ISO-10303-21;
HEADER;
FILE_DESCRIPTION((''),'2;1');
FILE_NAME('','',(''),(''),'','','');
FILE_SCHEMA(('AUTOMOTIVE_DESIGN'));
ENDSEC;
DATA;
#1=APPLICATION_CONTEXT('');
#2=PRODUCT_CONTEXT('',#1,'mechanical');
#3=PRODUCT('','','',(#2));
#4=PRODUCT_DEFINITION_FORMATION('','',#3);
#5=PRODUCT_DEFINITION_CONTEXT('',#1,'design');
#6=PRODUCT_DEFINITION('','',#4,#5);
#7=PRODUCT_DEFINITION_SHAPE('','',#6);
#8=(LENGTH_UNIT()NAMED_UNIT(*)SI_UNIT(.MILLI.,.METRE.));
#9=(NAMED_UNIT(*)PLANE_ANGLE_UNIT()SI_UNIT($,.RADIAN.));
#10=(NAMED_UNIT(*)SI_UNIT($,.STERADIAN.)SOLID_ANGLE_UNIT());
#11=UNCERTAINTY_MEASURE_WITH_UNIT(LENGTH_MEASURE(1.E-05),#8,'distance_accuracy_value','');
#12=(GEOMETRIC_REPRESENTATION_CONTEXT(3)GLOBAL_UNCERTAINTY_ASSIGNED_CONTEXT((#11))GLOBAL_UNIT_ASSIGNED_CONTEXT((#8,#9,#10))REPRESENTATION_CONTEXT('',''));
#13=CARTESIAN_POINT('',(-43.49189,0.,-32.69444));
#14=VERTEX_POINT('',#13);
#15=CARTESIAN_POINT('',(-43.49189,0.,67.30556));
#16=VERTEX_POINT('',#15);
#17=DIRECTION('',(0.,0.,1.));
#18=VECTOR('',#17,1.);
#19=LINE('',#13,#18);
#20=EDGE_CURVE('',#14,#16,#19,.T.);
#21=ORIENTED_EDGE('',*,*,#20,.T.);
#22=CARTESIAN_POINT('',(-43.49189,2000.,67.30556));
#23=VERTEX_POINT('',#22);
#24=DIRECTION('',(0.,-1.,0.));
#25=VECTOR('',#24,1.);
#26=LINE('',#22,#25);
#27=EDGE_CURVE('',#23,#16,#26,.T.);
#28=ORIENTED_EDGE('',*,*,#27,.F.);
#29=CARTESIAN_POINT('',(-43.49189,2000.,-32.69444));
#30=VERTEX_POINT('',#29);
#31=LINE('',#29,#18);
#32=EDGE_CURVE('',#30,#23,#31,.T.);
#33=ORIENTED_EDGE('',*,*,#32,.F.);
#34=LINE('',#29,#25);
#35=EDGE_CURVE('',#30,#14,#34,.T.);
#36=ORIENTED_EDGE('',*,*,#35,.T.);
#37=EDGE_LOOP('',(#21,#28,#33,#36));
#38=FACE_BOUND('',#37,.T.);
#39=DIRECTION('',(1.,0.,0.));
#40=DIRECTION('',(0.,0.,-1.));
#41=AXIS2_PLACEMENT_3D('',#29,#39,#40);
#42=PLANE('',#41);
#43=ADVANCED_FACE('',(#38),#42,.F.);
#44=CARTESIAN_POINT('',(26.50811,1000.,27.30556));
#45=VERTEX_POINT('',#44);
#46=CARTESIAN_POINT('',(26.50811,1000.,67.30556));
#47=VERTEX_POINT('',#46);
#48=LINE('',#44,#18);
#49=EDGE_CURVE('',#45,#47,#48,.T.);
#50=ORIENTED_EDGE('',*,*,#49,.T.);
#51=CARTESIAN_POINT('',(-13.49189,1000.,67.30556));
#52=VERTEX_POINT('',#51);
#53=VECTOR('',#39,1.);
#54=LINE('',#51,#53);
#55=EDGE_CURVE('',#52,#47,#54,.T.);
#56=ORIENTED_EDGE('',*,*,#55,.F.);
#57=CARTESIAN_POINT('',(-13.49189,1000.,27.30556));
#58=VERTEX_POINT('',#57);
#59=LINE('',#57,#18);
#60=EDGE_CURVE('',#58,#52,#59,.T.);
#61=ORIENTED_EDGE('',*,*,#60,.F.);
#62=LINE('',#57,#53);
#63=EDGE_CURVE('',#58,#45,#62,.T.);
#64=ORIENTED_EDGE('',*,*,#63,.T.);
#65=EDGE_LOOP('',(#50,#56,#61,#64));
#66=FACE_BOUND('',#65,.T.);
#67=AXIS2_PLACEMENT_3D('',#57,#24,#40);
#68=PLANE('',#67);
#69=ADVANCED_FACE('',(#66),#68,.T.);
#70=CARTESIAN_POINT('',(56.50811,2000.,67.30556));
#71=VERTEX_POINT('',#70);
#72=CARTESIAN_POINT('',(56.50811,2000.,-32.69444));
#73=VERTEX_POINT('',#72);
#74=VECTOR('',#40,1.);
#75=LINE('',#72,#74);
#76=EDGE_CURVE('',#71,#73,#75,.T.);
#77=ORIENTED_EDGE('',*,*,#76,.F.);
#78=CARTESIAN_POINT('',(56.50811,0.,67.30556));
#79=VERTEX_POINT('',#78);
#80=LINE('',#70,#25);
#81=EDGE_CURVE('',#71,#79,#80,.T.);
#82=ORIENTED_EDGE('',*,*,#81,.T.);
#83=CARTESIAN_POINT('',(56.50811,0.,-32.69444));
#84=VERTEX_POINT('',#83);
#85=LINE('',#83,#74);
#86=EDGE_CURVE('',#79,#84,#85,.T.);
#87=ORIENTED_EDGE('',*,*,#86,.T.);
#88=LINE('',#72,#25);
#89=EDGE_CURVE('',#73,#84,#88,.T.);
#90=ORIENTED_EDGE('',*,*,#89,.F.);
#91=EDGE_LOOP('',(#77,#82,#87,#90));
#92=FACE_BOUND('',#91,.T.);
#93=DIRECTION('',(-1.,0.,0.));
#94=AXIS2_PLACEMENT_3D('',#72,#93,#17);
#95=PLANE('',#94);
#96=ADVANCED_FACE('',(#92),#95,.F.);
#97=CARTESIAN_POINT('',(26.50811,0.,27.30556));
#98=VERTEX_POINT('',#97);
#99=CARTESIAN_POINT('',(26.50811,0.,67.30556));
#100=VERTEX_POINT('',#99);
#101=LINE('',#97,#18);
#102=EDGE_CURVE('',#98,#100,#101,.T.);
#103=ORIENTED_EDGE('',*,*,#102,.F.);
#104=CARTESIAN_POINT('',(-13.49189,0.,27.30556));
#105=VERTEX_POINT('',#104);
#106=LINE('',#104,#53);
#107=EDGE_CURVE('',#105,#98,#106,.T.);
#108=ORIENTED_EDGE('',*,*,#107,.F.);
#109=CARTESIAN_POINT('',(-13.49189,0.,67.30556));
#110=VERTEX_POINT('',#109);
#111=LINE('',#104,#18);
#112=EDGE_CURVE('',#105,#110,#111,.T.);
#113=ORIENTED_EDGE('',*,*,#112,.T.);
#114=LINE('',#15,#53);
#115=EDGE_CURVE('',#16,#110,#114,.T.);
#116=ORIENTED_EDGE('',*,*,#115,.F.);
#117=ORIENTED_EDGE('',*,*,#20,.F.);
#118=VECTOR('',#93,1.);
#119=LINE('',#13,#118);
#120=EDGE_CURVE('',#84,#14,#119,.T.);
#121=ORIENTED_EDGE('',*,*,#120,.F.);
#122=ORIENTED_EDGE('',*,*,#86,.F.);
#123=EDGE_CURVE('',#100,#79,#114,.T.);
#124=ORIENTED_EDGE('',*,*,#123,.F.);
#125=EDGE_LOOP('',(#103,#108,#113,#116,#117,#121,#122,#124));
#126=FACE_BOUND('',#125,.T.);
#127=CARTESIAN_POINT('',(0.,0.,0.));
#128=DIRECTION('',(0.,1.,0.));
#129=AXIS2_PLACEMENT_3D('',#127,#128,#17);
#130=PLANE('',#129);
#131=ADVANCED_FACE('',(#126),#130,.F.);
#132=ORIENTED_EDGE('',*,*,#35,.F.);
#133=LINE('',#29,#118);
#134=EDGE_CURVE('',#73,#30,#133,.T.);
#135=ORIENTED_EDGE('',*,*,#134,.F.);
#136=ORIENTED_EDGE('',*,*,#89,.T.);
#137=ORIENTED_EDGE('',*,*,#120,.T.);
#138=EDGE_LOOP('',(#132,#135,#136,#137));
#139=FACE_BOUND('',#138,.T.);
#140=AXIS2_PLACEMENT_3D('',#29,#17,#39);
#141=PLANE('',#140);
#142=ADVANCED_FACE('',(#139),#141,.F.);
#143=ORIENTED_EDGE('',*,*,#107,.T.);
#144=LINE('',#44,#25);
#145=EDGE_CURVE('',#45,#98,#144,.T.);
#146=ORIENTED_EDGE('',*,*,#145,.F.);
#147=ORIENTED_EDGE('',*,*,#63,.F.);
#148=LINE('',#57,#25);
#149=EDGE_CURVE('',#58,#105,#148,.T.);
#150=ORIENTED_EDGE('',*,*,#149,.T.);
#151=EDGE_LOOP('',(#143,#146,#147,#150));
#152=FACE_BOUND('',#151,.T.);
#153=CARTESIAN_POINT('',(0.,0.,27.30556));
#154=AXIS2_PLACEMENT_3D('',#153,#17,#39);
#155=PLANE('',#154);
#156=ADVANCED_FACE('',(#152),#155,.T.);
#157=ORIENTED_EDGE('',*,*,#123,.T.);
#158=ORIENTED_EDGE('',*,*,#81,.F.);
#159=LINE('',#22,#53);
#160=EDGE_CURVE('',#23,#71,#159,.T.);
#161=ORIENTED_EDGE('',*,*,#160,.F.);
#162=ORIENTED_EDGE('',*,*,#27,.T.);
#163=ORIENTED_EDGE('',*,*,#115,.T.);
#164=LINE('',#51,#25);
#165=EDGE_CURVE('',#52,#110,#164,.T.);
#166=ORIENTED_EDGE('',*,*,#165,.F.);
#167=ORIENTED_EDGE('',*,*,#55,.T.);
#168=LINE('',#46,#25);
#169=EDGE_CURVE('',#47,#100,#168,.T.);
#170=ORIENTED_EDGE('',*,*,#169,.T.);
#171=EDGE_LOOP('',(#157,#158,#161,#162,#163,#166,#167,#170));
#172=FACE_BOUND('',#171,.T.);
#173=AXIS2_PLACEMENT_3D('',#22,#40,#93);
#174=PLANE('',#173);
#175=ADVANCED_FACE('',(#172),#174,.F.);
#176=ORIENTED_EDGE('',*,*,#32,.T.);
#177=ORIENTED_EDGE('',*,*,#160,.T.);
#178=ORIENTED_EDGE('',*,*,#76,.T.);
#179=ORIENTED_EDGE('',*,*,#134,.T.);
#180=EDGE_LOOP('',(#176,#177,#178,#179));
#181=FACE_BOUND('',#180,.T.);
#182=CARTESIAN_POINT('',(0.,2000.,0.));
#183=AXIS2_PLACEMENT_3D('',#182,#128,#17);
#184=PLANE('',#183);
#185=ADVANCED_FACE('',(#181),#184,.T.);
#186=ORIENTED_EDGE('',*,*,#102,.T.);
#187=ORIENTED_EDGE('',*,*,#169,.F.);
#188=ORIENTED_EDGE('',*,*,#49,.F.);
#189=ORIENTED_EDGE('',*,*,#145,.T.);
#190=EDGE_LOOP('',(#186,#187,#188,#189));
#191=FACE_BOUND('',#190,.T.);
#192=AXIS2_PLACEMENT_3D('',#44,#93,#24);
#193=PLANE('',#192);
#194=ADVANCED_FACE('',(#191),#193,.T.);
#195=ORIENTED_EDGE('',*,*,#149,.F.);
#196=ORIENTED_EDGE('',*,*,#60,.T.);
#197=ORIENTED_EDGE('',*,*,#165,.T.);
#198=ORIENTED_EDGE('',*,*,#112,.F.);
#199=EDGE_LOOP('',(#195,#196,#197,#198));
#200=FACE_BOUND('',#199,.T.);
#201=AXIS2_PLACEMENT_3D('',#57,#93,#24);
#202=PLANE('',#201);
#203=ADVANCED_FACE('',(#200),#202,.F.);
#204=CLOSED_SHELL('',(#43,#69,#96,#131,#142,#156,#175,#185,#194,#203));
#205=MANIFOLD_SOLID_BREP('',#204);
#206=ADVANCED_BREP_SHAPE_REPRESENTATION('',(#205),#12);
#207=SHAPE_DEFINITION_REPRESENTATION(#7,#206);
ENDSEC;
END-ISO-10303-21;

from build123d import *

# Parameters (mm, degrees)
SKETCH1_W           = 100
SKETCH1_H           = 100
BOSS_EXTRUDE1_DEPTH = 2000
SKETCH2_W           = 40
SKETCH2_H           = 1000
CUT_EXTRUDE1_DEPTH  = 40


with BuildPart() as part:
    # Sketch1 → Boss-Extrude1 (new body)
    with BuildSketch(Plane(origin=(0, 0, 0), x_dir=(1, 0, 0), z_dir=(0, 1, 0))):
        with Locations((6.50810977, -17.305559975)):
            Rectangle(SKETCH1_W, SKETCH1_H)
    extrude(amount=BOSS_EXTRUDE1_DEPTH)

    # Sketch2 → Cut-Extrude1 (cut)
    with BuildSketch(Plane.XY.offset(67.305559975)):
        with Locations((6.50810977, 500)):
            Rectangle(SKETCH2_W, SKETCH2_H)
    extrude(amount=-CUT_EXTRUDE1_DEPTH, mode=Mode.SUBTRACT)


solid = part.part
